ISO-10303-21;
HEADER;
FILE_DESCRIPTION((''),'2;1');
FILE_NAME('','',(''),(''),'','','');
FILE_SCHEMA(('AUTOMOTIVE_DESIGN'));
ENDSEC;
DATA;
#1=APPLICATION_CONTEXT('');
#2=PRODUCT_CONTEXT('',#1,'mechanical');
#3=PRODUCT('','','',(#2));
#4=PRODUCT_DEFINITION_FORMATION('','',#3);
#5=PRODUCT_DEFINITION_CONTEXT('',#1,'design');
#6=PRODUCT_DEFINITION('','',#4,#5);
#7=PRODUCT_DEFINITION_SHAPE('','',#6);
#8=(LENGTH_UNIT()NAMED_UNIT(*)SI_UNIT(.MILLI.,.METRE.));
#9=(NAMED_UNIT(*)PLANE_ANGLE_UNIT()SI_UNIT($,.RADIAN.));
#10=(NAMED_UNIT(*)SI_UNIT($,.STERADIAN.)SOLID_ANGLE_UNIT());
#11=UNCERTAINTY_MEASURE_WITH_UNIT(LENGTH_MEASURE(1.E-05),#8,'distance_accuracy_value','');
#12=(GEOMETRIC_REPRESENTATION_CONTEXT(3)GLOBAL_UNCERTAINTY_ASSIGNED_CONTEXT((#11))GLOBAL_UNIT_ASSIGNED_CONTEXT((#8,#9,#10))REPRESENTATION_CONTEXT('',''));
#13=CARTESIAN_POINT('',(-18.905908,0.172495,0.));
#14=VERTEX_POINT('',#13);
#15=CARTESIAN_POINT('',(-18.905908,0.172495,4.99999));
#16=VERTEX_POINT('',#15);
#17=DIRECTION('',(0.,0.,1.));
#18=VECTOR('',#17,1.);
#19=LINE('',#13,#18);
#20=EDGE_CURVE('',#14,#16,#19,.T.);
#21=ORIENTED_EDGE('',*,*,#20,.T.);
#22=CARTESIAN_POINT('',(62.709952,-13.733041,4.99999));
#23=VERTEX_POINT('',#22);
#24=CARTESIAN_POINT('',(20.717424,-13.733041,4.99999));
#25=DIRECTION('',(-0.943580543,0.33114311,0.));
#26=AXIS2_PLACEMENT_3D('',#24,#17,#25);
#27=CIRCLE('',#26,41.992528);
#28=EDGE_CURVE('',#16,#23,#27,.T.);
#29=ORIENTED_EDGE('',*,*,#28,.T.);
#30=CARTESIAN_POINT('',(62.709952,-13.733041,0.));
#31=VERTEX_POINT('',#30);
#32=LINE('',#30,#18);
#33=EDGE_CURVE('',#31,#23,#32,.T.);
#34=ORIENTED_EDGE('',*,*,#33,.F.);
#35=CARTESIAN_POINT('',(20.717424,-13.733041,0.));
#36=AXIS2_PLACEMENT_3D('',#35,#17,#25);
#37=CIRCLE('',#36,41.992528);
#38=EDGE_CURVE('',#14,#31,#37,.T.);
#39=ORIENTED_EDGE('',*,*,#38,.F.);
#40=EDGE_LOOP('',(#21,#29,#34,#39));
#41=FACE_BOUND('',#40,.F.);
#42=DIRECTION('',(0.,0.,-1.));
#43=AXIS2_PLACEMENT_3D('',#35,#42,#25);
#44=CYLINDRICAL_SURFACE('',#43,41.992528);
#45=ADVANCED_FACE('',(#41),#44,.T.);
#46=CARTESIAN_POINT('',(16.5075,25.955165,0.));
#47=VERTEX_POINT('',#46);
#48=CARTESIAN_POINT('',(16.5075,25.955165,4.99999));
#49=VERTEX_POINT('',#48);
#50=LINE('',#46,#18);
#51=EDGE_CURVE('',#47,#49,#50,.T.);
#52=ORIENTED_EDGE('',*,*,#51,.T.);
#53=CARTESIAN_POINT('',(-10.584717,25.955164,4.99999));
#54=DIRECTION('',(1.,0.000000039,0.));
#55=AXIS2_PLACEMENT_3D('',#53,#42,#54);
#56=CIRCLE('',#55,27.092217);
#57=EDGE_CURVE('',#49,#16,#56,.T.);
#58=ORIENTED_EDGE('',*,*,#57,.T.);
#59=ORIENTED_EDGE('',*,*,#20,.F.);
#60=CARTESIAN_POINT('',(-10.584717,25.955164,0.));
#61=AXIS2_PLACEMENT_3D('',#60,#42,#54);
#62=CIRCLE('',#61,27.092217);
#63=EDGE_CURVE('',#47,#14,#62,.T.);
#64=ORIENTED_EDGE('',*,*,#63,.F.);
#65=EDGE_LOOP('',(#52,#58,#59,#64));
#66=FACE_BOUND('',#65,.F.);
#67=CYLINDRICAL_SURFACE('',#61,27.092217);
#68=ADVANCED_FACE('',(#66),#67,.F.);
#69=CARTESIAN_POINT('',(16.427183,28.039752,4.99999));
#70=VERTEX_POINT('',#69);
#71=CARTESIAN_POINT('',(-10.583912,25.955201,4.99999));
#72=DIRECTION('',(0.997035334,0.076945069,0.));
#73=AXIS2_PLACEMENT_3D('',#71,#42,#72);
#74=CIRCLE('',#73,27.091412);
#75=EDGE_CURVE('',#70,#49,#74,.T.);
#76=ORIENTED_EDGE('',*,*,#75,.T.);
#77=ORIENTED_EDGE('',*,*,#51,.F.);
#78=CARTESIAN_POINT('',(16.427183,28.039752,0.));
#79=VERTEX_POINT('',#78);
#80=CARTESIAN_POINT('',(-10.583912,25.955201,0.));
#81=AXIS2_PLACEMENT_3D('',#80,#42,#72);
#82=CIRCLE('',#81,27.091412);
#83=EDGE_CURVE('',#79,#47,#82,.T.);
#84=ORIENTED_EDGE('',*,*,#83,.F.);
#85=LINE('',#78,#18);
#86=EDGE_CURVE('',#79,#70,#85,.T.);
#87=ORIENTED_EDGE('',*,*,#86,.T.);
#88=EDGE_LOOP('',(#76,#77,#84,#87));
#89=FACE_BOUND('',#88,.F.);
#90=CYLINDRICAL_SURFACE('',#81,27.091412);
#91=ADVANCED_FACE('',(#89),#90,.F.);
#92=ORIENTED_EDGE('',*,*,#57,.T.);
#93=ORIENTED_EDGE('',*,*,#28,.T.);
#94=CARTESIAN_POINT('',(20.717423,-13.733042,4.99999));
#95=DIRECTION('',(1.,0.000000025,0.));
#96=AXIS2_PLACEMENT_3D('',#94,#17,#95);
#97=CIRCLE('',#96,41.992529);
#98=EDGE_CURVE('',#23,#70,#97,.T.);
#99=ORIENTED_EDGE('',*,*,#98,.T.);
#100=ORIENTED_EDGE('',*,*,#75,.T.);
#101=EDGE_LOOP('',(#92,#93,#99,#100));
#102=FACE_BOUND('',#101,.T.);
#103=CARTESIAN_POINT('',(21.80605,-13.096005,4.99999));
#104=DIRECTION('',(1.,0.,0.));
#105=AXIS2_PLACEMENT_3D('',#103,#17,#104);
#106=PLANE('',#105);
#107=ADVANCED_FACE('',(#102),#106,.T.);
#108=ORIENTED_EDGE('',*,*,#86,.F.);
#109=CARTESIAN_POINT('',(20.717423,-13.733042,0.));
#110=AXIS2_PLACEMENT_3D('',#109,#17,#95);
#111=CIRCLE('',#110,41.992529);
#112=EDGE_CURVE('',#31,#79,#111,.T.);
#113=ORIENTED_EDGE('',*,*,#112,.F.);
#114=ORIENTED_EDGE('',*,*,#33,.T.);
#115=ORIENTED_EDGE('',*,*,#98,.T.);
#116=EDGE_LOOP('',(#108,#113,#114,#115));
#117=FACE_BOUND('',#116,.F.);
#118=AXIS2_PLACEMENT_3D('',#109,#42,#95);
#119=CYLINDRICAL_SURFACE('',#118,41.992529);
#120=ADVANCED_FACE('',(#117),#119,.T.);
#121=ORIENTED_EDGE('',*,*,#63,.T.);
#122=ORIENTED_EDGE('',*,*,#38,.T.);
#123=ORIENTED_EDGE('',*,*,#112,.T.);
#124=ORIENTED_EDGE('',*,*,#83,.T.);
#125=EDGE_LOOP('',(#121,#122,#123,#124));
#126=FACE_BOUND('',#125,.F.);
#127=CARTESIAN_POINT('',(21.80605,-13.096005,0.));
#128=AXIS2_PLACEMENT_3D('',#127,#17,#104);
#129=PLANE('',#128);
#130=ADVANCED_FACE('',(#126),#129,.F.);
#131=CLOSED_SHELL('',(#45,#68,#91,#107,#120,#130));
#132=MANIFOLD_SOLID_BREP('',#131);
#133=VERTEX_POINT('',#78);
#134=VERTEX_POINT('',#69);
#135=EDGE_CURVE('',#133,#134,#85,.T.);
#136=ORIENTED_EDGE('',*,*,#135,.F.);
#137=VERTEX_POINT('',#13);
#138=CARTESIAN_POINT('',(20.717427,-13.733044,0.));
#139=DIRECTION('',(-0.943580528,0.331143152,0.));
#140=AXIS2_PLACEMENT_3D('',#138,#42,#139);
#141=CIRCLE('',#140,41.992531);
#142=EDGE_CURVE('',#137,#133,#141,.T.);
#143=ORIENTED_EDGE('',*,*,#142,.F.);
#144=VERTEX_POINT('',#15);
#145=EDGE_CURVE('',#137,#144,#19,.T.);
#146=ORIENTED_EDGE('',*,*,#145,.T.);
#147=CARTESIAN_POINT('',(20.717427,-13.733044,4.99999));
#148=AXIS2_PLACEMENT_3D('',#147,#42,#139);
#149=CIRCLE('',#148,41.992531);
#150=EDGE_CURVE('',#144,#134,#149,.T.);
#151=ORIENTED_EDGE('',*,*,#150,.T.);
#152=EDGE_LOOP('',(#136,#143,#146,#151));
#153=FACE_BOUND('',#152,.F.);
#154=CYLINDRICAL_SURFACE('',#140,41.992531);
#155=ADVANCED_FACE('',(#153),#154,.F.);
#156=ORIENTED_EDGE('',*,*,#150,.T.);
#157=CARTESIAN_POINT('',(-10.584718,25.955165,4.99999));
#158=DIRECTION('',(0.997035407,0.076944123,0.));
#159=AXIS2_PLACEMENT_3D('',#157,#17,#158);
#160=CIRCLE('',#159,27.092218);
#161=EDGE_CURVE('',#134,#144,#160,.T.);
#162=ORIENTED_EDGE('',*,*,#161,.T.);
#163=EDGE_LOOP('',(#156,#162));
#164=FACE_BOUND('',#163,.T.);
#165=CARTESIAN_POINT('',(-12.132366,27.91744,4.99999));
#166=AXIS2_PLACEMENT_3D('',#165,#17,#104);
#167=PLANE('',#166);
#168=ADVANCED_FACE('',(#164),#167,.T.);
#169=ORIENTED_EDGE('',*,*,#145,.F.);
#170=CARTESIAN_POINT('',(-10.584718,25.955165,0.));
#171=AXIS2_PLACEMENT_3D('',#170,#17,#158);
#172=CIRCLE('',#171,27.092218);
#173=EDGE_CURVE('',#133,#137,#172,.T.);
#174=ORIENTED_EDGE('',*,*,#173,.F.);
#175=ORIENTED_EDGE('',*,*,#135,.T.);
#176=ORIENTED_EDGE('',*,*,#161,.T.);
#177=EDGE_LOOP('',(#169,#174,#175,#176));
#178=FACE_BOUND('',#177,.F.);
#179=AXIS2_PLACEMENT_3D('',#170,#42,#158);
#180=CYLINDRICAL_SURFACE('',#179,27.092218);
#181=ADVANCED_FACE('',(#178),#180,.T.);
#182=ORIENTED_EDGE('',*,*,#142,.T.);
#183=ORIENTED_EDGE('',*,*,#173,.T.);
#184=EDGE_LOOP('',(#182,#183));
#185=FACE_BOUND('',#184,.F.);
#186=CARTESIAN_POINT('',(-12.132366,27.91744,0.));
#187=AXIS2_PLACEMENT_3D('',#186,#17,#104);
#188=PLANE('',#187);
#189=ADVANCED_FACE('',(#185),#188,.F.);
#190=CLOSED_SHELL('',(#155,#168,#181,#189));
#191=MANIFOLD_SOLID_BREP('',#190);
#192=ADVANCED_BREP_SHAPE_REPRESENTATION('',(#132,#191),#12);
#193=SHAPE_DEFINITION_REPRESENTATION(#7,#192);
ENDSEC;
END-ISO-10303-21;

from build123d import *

# Parameters (mm, degrees)
F1_DEPTH = 4.99999


with BuildPart() as f1:
    # F0 (on Top) → F1 (new body)
    with BuildSketch(Plane.XY):
        with BuildLine():
            ThreePointArc((16.427183, 28.039752), (16.487414, 26.998232), (16.5075, 25.955165))
            ThreePointArc((16.5075, 25.955165), (5.361266, 4.052793), (-18.905908, 0.172495))
            ThreePointArc((-18.905908, 0.172495), (13.664463, -55.129033), (62.709952, -13.733041))
            ThreePointArc((62.709952, -13.733041), (48.852938, 17.440108), (16.427183, 28.039752))
        make_face()
        with BuildLine():
            ThreePointArc((-18.905908, 0.172495), (-5.287315, 19.238551), (16.427183, 28.039752))
            ThreePointArc((16.427183, 28.039752), (-27.362133, 47.227368), (-18.905908, 0.172495))
        make_face()
    extrude(amount=F1_DEPTH)


solid = f1.part
